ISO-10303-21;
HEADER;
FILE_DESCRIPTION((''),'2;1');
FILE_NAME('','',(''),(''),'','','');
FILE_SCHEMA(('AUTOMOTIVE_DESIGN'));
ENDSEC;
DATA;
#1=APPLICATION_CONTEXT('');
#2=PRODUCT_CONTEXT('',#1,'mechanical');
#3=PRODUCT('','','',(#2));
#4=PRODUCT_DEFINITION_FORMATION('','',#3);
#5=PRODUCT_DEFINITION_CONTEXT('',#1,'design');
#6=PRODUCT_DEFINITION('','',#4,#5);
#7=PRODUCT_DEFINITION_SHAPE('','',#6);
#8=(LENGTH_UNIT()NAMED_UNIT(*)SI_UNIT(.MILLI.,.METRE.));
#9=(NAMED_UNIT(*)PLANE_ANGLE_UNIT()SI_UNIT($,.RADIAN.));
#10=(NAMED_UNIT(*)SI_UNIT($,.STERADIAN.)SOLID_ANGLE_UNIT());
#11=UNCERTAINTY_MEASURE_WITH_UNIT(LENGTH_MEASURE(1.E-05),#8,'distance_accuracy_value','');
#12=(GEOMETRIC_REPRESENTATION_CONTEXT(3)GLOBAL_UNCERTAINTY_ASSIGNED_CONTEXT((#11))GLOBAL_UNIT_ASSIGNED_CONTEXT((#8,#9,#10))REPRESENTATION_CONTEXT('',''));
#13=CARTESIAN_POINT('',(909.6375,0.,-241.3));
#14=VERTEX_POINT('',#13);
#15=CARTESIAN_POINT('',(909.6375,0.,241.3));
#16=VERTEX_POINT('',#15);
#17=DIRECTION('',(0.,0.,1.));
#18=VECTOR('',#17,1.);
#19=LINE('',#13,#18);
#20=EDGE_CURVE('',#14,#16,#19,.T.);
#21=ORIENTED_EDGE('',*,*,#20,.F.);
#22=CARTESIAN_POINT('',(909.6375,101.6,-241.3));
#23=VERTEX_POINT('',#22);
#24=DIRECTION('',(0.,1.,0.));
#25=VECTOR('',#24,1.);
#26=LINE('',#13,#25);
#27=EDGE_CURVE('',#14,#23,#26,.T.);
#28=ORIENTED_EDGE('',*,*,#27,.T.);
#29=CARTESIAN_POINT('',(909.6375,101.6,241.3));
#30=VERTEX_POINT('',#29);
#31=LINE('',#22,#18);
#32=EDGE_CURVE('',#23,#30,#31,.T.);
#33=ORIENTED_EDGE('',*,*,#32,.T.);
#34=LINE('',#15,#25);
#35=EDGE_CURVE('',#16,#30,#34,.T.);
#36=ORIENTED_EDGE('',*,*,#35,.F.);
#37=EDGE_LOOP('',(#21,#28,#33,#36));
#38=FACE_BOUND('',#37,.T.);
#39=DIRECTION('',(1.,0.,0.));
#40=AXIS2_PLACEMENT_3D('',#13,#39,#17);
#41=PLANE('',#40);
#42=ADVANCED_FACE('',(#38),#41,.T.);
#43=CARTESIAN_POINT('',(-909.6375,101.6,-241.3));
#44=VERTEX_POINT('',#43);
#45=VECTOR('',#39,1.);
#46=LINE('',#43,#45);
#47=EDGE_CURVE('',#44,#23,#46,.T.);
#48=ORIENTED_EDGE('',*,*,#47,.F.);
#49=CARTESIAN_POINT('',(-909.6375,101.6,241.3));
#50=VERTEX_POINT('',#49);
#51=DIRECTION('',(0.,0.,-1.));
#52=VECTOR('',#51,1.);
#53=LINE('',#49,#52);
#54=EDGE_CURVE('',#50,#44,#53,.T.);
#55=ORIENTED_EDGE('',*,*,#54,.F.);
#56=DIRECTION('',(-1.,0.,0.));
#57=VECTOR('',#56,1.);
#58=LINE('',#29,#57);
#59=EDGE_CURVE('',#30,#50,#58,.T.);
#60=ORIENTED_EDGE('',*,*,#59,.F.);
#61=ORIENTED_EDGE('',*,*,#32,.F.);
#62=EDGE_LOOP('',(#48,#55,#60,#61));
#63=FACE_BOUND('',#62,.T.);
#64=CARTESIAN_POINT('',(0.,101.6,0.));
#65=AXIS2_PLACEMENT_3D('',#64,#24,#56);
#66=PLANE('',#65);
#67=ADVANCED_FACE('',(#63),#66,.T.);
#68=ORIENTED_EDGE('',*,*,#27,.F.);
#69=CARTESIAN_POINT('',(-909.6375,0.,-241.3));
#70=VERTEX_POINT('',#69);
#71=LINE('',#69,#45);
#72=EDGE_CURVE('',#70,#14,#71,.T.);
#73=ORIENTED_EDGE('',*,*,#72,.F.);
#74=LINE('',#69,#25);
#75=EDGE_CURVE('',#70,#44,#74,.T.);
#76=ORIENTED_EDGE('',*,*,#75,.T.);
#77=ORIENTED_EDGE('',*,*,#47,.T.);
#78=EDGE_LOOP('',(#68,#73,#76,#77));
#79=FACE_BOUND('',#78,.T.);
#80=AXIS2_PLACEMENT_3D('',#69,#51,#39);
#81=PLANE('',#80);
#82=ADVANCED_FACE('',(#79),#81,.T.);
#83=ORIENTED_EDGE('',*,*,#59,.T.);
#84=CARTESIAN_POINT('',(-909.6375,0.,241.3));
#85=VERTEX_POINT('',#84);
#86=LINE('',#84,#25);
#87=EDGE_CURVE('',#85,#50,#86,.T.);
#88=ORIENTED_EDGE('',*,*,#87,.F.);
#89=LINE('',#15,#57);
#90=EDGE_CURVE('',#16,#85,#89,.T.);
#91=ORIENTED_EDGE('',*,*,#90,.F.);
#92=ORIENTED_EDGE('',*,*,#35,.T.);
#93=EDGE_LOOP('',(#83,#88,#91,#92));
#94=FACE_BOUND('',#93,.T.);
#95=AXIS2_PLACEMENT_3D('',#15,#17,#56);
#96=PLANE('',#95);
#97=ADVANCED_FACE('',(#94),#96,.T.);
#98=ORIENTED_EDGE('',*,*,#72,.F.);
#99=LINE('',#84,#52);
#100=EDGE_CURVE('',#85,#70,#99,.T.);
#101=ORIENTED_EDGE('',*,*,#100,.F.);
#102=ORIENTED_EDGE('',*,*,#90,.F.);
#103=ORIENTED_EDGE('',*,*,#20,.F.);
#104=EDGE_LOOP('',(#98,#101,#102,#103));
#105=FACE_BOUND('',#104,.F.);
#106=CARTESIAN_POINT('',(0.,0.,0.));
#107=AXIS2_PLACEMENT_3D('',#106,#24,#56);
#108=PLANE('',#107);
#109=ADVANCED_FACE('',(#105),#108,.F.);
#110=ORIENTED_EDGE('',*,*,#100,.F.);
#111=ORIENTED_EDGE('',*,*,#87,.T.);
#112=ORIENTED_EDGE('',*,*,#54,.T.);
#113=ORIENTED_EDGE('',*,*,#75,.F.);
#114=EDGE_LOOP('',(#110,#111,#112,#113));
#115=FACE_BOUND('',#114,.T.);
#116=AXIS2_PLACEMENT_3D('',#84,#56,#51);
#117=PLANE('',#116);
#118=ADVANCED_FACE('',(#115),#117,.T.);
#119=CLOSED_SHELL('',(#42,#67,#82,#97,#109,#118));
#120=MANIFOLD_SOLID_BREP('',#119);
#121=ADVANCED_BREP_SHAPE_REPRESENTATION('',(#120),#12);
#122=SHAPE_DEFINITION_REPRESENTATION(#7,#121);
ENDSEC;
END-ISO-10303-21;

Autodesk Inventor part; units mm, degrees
ref_plane "YZ Plane" through (0, 0, 0) normal (1, 0, 0) x (0, 1, 0)
ref_plane "XZ Plane" through (0, 0, 0) normal (0, 1, 0) x (-1, 0, 0)
ref_plane "XY Plane" through (0, 0, 0) normal (0, 0, 1) x (1, 0, 0)
sketch "Sketch1" plane through (0, 0, 0) normal (0, 1, 0) x (-1, 0, 0)
  line L0 (909.6375, -241.3) -> (-909.6375, -241.3)
  line L1 (-909.6375, -241.3) -> (-909.6375, 241.3)
  line L2 (-909.6375, 241.3) -> (909.6375, 241.3)
  line L3 (909.6375, 241.3) -> (909.6375, -241.3)
  line L4 (909.6375, -241.3) -> (-909.6375, 241.3) construction
  line L5 (-909.6375, -241.3) -> (909.6375, 241.3) construction
  point P0 (0, 0)
  dimension "d0" = 1819.275
  dimension "d1" = 482.6
extrude "Extrusion1" add sketch "Sketch1" along normal blind 101.6
properties part number "7 cap - 2" material "Granite, Cut, Polished"
